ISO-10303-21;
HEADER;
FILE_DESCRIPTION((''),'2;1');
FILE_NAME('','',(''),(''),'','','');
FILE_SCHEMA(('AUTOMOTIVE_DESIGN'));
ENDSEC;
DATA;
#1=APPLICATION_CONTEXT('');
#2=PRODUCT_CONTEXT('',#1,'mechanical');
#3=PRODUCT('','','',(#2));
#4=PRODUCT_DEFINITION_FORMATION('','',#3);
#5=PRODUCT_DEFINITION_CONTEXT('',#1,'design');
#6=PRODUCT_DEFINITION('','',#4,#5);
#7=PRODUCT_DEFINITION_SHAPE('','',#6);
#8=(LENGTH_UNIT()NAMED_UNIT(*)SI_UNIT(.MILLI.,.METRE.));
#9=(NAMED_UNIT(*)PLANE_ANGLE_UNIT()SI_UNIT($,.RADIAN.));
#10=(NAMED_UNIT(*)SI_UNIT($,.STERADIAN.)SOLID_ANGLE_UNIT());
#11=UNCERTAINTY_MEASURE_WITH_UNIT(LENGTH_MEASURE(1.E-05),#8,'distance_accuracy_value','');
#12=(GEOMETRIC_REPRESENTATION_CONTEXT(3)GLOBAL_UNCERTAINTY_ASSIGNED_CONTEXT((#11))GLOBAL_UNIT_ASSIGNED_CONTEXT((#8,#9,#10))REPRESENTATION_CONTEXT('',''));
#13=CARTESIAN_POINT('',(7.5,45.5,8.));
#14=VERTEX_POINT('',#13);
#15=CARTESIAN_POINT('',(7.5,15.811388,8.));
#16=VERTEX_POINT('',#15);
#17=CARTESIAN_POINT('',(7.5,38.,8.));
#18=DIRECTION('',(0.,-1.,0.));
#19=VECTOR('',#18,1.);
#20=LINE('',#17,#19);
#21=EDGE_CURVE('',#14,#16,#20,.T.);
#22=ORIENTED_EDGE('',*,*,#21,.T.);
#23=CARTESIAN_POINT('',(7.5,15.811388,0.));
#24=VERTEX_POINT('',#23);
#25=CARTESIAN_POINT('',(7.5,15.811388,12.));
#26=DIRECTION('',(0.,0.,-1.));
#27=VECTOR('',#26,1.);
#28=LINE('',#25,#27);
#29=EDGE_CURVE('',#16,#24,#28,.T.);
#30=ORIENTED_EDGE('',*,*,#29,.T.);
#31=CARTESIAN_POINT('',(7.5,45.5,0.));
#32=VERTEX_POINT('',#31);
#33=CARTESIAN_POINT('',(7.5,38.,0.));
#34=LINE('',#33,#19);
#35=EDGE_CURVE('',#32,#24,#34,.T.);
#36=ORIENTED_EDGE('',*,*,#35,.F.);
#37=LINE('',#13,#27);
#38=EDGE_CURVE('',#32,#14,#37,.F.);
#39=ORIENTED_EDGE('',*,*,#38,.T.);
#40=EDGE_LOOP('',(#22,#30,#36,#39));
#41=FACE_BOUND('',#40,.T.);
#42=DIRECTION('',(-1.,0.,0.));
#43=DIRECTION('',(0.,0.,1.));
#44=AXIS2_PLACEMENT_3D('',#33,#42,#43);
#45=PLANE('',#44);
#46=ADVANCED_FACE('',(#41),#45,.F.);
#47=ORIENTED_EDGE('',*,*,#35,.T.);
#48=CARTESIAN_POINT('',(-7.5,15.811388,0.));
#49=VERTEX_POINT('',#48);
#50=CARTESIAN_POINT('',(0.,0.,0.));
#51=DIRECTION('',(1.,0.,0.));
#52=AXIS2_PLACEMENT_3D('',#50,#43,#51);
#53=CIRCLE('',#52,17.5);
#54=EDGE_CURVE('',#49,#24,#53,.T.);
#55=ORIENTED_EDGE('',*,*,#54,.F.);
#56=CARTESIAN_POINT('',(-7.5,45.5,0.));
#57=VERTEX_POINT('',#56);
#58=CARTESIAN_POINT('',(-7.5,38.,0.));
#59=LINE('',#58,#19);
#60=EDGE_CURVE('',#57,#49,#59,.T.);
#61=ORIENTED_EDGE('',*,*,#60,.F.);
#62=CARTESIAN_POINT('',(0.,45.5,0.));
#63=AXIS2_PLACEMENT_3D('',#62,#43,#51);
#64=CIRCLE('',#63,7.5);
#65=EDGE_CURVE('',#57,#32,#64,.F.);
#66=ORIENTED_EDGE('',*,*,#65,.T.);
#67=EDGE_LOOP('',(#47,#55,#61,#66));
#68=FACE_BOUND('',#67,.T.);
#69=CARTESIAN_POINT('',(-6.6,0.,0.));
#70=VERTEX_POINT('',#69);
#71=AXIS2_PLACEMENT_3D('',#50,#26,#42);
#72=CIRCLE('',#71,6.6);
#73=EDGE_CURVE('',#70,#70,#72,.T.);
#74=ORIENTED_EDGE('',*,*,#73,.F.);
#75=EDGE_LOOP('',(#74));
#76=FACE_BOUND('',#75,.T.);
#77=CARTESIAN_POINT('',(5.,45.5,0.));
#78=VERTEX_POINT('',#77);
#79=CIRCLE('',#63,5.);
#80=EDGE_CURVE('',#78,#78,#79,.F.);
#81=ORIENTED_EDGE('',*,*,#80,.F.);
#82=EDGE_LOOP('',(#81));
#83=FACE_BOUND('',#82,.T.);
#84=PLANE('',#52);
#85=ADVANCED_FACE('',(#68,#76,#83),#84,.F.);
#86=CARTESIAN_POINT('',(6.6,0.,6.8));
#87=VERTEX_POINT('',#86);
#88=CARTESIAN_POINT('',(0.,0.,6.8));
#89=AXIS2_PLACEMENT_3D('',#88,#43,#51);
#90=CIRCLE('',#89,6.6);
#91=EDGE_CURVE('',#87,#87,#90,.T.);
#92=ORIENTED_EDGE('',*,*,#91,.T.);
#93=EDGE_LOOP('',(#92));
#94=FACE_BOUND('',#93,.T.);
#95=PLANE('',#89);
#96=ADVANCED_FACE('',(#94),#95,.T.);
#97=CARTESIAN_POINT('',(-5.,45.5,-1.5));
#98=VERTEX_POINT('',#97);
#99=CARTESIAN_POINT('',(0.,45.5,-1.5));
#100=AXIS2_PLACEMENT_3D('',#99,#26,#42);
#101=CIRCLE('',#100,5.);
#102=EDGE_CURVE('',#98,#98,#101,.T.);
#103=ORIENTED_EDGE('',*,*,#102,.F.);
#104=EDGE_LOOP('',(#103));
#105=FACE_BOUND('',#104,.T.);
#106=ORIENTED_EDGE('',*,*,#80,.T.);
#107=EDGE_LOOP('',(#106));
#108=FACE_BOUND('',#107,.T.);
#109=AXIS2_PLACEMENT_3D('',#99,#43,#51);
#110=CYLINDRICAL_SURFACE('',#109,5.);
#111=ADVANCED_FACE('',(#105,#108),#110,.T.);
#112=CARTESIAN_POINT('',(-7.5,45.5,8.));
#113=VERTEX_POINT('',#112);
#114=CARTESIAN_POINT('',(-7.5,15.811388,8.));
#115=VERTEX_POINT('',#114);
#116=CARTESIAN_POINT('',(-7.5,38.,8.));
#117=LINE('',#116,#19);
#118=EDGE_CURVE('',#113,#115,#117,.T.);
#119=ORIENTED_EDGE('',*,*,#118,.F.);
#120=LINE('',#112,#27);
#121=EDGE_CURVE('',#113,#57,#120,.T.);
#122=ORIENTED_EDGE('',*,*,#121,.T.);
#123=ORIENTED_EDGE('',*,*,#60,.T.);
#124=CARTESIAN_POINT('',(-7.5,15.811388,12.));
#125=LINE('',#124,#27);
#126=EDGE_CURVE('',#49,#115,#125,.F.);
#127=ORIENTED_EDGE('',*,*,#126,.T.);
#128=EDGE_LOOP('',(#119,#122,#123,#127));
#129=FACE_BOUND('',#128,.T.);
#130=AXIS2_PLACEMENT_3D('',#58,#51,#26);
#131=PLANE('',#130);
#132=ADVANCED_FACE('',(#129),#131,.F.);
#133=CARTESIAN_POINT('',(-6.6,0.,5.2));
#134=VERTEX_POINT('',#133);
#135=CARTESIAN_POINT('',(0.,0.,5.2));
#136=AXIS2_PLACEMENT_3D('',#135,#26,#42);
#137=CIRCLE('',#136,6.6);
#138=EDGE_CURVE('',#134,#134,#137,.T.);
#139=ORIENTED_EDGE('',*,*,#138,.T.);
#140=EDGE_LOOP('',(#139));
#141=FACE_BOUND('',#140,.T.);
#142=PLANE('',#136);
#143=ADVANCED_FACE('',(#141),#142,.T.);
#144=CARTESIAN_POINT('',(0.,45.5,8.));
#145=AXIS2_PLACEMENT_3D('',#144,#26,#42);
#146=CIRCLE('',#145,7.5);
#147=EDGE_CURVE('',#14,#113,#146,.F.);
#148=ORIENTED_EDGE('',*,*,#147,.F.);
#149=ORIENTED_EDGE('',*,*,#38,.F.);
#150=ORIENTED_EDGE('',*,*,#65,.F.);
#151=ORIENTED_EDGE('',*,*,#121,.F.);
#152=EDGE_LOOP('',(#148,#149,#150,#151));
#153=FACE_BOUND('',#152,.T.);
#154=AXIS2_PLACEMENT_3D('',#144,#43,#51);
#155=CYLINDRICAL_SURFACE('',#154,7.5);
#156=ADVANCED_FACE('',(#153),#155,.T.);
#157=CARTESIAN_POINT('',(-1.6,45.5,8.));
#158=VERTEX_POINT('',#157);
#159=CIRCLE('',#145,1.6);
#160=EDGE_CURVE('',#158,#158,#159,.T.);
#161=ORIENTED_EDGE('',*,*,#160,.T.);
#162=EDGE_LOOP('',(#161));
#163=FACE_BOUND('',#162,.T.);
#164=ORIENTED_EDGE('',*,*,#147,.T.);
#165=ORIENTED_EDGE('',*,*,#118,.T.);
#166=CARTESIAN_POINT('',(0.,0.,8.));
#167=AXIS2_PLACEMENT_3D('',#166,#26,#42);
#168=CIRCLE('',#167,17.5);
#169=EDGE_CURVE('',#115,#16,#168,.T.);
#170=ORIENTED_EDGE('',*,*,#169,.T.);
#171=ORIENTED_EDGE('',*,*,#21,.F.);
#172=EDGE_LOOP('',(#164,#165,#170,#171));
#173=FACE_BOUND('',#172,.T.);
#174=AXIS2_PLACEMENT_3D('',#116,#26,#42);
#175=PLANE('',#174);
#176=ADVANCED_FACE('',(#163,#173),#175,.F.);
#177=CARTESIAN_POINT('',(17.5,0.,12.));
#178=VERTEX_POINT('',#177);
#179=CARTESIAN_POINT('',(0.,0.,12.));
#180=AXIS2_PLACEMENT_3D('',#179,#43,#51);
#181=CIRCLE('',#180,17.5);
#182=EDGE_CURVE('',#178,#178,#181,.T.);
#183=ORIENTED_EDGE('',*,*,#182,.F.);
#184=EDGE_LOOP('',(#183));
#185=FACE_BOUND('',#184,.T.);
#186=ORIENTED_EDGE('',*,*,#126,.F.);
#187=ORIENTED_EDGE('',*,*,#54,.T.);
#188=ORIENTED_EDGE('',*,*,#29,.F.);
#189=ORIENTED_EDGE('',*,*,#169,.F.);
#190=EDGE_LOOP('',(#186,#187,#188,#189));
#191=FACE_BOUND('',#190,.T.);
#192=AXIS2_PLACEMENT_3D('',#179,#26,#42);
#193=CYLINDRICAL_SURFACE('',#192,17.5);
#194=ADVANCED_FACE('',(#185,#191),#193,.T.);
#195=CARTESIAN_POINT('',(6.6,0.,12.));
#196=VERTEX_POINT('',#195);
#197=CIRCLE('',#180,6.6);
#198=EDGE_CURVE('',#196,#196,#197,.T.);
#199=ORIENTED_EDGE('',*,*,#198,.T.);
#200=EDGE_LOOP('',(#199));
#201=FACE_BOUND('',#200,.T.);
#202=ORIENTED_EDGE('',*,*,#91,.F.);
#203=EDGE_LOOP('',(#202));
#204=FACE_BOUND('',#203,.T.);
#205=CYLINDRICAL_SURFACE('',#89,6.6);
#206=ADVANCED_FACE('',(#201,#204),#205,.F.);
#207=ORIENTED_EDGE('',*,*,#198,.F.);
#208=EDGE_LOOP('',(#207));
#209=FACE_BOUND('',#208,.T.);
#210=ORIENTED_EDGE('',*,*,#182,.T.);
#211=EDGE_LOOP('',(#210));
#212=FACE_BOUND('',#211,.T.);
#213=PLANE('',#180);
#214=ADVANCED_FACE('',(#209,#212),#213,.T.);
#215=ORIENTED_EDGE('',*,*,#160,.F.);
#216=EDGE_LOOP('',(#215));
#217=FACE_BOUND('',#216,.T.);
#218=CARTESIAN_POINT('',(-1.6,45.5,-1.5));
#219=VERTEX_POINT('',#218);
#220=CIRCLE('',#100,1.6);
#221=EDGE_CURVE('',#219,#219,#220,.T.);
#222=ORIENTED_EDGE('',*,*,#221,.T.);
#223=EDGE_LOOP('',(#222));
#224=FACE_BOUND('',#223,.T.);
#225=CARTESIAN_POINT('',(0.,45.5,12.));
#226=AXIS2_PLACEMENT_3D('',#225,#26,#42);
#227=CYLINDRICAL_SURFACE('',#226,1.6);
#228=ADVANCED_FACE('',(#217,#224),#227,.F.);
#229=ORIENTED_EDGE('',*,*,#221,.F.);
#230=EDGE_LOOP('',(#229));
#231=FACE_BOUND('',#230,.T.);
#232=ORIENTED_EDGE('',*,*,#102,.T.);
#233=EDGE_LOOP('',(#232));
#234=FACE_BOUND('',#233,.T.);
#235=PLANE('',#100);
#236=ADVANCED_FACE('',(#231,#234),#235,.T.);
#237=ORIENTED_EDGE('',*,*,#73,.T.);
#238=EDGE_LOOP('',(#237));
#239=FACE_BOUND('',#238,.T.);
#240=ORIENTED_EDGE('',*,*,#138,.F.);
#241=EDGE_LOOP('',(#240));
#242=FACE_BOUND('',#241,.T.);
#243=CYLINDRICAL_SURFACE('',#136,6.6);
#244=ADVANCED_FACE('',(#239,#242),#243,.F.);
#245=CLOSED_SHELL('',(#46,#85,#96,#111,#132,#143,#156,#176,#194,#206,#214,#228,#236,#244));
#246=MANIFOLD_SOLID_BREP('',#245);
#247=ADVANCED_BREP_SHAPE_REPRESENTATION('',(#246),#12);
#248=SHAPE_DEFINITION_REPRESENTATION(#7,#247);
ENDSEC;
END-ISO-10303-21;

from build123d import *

# Parameters (mm, degrees)
CROQUIS1_R                 = 17.5
SALIENTE_EXTRUIR1_DEPTH    = 12
CROQUIS2_W                 = 15
CROQUIS2_H                 = 8
SALIENTE_EXTRUIR2_DEPTH    = 38
CROQUIS3_W                 = 15
CROQUIS3_H                 = 8
SALIENTE_EXTRUIR3_DEPTH    = 15
REDONDEO1_RADIUS           = 7.5
REDONDEO1_LENGTH           = 8
CROQUIS4_R                 = 6.6
CORTAR_EXTRUIR1_DEPTH      = 5.2
CORTAR_EXTRUIR2_START      = -5.2
CROQUIS5_R                 = 6.6
CORTAR_EXTRUIR2_DEPTH      = 5.2
CROQUIS7_R                 = 5
SALIENTE_EXTRUIR4_DEPTH    = 1.5
CORTAR_EXTRUIR3_DEPTH      = 58.089841478
CORTAR_EXTRUIR3_DEPTH_BACK = 58.089841478
CROQUIS6_R                 = 1.6


with BuildPart() as part:
    # Croquis1 → Saliente-Extruir1 (new body)
    with BuildSketch(Plane.XY):
        Circle(CROQUIS1_R)
    extrude(amount=SALIENTE_EXTRUIR1_DEPTH)

    # Croquis2 → Saliente-Extruir2 (add)
    with BuildSketch(Plane(origin=(0, 0, 0), x_dir=(1, 0, 0), z_dir=(0, 1, 0))):
        with Locations((0, -4)):
            Rectangle(CROQUIS2_W, CROQUIS2_H)
    extrude(amount=SALIENTE_EXTRUIR2_DEPTH)

    # Croquis3 → Saliente-Extruir3 (add)
    with BuildSketch(Plane(origin=(0, 38, 0), x_dir=(1, 0, 0), z_dir=(0, 1, 0))):
        with Locations((0, -4)):
            Rectangle(CROQUIS3_W, CROQUIS3_H)
    extrude(amount=SALIENTE_EXTRUIR3_DEPTH)

    # Redondeo1: full round fillet: the end face becomes a half cylinder, R = half its width
    redondeo1_face = Plane((0, 53, 4), x_dir=(0, 0, 1), z_dir=(0, 1, 0))  # on the end face: x along it, z out of the body
    redondeo1_slab = redondeo1_face.offset(-REDONDEO1_RADIUS / 2) * Box(REDONDEO1_LENGTH, 2 * REDONDEO1_RADIUS, REDONDEO1_RADIUS, mode=Mode.PRIVATE)  # the body's end, R deep
    redondeo1_round = Plane((0, 45.5, 4), x_dir=(0, 1, 0), z_dir=(0, 0, 1)) * Cylinder(REDONDEO1_RADIUS, REDONDEO1_LENGTH, mode=Mode.PRIVATE)  # its axis R under the face
    add(redondeo1_slab - redondeo1_round, mode=Mode.SUBTRACT)

    # Croquis4 → Cortar-Extruir1 (cut)
    with BuildSketch(Plane.XY.offset(12)):
        Circle(CROQUIS4_R)
    extrude(amount=-CORTAR_EXTRUIR1_DEPTH, mode=Mode.SUBTRACT)

    # Croquis5 → Cortar-Extruir2 (cut)
    with BuildSketch(Plane(origin=(0, 0, 0), x_dir=(-1, 0, 0), z_dir=(0, 0, -1)).offset(CORTAR_EXTRUIR2_START)):
        with Locations(Location((0, 0, 0), (0, 0, 180))):
            Circle(CROQUIS5_R)
    extrude(amount=CORTAR_EXTRUIR2_DEPTH, mode=Mode.SUBTRACT)

    # Croquis7 → Saliente-Extruir4 (add)
    with BuildSketch(Plane(origin=(0, 0, 0), x_dir=(-1, 0, 0), z_dir=(0, 0, -1))):
        with Locations(Location((0, 45.5, 0), (0, 0, 180))):
            Circle(CROQUIS7_R)
    extrude(amount=SALIENTE_EXTRUIR4_DEPTH)

    # Croquis6 → Cortar-Extruir3 (cut, two sides: drawn at the far end of the back side and taken through both)
    with BuildSketch(Plane(origin=(0, 0, 0), x_dir=(-1, 0, 0), z_dir=(0, 0, -1)).offset(-CORTAR_EXTRUIR3_DEPTH_BACK)):
        with Locations((0, 45.5)):
            Circle(CROQUIS6_R)
    extrude(amount=CORTAR_EXTRUIR3_DEPTH + CORTAR_EXTRUIR3_DEPTH_BACK, mode=Mode.SUBTRACT)


solid = part.part
